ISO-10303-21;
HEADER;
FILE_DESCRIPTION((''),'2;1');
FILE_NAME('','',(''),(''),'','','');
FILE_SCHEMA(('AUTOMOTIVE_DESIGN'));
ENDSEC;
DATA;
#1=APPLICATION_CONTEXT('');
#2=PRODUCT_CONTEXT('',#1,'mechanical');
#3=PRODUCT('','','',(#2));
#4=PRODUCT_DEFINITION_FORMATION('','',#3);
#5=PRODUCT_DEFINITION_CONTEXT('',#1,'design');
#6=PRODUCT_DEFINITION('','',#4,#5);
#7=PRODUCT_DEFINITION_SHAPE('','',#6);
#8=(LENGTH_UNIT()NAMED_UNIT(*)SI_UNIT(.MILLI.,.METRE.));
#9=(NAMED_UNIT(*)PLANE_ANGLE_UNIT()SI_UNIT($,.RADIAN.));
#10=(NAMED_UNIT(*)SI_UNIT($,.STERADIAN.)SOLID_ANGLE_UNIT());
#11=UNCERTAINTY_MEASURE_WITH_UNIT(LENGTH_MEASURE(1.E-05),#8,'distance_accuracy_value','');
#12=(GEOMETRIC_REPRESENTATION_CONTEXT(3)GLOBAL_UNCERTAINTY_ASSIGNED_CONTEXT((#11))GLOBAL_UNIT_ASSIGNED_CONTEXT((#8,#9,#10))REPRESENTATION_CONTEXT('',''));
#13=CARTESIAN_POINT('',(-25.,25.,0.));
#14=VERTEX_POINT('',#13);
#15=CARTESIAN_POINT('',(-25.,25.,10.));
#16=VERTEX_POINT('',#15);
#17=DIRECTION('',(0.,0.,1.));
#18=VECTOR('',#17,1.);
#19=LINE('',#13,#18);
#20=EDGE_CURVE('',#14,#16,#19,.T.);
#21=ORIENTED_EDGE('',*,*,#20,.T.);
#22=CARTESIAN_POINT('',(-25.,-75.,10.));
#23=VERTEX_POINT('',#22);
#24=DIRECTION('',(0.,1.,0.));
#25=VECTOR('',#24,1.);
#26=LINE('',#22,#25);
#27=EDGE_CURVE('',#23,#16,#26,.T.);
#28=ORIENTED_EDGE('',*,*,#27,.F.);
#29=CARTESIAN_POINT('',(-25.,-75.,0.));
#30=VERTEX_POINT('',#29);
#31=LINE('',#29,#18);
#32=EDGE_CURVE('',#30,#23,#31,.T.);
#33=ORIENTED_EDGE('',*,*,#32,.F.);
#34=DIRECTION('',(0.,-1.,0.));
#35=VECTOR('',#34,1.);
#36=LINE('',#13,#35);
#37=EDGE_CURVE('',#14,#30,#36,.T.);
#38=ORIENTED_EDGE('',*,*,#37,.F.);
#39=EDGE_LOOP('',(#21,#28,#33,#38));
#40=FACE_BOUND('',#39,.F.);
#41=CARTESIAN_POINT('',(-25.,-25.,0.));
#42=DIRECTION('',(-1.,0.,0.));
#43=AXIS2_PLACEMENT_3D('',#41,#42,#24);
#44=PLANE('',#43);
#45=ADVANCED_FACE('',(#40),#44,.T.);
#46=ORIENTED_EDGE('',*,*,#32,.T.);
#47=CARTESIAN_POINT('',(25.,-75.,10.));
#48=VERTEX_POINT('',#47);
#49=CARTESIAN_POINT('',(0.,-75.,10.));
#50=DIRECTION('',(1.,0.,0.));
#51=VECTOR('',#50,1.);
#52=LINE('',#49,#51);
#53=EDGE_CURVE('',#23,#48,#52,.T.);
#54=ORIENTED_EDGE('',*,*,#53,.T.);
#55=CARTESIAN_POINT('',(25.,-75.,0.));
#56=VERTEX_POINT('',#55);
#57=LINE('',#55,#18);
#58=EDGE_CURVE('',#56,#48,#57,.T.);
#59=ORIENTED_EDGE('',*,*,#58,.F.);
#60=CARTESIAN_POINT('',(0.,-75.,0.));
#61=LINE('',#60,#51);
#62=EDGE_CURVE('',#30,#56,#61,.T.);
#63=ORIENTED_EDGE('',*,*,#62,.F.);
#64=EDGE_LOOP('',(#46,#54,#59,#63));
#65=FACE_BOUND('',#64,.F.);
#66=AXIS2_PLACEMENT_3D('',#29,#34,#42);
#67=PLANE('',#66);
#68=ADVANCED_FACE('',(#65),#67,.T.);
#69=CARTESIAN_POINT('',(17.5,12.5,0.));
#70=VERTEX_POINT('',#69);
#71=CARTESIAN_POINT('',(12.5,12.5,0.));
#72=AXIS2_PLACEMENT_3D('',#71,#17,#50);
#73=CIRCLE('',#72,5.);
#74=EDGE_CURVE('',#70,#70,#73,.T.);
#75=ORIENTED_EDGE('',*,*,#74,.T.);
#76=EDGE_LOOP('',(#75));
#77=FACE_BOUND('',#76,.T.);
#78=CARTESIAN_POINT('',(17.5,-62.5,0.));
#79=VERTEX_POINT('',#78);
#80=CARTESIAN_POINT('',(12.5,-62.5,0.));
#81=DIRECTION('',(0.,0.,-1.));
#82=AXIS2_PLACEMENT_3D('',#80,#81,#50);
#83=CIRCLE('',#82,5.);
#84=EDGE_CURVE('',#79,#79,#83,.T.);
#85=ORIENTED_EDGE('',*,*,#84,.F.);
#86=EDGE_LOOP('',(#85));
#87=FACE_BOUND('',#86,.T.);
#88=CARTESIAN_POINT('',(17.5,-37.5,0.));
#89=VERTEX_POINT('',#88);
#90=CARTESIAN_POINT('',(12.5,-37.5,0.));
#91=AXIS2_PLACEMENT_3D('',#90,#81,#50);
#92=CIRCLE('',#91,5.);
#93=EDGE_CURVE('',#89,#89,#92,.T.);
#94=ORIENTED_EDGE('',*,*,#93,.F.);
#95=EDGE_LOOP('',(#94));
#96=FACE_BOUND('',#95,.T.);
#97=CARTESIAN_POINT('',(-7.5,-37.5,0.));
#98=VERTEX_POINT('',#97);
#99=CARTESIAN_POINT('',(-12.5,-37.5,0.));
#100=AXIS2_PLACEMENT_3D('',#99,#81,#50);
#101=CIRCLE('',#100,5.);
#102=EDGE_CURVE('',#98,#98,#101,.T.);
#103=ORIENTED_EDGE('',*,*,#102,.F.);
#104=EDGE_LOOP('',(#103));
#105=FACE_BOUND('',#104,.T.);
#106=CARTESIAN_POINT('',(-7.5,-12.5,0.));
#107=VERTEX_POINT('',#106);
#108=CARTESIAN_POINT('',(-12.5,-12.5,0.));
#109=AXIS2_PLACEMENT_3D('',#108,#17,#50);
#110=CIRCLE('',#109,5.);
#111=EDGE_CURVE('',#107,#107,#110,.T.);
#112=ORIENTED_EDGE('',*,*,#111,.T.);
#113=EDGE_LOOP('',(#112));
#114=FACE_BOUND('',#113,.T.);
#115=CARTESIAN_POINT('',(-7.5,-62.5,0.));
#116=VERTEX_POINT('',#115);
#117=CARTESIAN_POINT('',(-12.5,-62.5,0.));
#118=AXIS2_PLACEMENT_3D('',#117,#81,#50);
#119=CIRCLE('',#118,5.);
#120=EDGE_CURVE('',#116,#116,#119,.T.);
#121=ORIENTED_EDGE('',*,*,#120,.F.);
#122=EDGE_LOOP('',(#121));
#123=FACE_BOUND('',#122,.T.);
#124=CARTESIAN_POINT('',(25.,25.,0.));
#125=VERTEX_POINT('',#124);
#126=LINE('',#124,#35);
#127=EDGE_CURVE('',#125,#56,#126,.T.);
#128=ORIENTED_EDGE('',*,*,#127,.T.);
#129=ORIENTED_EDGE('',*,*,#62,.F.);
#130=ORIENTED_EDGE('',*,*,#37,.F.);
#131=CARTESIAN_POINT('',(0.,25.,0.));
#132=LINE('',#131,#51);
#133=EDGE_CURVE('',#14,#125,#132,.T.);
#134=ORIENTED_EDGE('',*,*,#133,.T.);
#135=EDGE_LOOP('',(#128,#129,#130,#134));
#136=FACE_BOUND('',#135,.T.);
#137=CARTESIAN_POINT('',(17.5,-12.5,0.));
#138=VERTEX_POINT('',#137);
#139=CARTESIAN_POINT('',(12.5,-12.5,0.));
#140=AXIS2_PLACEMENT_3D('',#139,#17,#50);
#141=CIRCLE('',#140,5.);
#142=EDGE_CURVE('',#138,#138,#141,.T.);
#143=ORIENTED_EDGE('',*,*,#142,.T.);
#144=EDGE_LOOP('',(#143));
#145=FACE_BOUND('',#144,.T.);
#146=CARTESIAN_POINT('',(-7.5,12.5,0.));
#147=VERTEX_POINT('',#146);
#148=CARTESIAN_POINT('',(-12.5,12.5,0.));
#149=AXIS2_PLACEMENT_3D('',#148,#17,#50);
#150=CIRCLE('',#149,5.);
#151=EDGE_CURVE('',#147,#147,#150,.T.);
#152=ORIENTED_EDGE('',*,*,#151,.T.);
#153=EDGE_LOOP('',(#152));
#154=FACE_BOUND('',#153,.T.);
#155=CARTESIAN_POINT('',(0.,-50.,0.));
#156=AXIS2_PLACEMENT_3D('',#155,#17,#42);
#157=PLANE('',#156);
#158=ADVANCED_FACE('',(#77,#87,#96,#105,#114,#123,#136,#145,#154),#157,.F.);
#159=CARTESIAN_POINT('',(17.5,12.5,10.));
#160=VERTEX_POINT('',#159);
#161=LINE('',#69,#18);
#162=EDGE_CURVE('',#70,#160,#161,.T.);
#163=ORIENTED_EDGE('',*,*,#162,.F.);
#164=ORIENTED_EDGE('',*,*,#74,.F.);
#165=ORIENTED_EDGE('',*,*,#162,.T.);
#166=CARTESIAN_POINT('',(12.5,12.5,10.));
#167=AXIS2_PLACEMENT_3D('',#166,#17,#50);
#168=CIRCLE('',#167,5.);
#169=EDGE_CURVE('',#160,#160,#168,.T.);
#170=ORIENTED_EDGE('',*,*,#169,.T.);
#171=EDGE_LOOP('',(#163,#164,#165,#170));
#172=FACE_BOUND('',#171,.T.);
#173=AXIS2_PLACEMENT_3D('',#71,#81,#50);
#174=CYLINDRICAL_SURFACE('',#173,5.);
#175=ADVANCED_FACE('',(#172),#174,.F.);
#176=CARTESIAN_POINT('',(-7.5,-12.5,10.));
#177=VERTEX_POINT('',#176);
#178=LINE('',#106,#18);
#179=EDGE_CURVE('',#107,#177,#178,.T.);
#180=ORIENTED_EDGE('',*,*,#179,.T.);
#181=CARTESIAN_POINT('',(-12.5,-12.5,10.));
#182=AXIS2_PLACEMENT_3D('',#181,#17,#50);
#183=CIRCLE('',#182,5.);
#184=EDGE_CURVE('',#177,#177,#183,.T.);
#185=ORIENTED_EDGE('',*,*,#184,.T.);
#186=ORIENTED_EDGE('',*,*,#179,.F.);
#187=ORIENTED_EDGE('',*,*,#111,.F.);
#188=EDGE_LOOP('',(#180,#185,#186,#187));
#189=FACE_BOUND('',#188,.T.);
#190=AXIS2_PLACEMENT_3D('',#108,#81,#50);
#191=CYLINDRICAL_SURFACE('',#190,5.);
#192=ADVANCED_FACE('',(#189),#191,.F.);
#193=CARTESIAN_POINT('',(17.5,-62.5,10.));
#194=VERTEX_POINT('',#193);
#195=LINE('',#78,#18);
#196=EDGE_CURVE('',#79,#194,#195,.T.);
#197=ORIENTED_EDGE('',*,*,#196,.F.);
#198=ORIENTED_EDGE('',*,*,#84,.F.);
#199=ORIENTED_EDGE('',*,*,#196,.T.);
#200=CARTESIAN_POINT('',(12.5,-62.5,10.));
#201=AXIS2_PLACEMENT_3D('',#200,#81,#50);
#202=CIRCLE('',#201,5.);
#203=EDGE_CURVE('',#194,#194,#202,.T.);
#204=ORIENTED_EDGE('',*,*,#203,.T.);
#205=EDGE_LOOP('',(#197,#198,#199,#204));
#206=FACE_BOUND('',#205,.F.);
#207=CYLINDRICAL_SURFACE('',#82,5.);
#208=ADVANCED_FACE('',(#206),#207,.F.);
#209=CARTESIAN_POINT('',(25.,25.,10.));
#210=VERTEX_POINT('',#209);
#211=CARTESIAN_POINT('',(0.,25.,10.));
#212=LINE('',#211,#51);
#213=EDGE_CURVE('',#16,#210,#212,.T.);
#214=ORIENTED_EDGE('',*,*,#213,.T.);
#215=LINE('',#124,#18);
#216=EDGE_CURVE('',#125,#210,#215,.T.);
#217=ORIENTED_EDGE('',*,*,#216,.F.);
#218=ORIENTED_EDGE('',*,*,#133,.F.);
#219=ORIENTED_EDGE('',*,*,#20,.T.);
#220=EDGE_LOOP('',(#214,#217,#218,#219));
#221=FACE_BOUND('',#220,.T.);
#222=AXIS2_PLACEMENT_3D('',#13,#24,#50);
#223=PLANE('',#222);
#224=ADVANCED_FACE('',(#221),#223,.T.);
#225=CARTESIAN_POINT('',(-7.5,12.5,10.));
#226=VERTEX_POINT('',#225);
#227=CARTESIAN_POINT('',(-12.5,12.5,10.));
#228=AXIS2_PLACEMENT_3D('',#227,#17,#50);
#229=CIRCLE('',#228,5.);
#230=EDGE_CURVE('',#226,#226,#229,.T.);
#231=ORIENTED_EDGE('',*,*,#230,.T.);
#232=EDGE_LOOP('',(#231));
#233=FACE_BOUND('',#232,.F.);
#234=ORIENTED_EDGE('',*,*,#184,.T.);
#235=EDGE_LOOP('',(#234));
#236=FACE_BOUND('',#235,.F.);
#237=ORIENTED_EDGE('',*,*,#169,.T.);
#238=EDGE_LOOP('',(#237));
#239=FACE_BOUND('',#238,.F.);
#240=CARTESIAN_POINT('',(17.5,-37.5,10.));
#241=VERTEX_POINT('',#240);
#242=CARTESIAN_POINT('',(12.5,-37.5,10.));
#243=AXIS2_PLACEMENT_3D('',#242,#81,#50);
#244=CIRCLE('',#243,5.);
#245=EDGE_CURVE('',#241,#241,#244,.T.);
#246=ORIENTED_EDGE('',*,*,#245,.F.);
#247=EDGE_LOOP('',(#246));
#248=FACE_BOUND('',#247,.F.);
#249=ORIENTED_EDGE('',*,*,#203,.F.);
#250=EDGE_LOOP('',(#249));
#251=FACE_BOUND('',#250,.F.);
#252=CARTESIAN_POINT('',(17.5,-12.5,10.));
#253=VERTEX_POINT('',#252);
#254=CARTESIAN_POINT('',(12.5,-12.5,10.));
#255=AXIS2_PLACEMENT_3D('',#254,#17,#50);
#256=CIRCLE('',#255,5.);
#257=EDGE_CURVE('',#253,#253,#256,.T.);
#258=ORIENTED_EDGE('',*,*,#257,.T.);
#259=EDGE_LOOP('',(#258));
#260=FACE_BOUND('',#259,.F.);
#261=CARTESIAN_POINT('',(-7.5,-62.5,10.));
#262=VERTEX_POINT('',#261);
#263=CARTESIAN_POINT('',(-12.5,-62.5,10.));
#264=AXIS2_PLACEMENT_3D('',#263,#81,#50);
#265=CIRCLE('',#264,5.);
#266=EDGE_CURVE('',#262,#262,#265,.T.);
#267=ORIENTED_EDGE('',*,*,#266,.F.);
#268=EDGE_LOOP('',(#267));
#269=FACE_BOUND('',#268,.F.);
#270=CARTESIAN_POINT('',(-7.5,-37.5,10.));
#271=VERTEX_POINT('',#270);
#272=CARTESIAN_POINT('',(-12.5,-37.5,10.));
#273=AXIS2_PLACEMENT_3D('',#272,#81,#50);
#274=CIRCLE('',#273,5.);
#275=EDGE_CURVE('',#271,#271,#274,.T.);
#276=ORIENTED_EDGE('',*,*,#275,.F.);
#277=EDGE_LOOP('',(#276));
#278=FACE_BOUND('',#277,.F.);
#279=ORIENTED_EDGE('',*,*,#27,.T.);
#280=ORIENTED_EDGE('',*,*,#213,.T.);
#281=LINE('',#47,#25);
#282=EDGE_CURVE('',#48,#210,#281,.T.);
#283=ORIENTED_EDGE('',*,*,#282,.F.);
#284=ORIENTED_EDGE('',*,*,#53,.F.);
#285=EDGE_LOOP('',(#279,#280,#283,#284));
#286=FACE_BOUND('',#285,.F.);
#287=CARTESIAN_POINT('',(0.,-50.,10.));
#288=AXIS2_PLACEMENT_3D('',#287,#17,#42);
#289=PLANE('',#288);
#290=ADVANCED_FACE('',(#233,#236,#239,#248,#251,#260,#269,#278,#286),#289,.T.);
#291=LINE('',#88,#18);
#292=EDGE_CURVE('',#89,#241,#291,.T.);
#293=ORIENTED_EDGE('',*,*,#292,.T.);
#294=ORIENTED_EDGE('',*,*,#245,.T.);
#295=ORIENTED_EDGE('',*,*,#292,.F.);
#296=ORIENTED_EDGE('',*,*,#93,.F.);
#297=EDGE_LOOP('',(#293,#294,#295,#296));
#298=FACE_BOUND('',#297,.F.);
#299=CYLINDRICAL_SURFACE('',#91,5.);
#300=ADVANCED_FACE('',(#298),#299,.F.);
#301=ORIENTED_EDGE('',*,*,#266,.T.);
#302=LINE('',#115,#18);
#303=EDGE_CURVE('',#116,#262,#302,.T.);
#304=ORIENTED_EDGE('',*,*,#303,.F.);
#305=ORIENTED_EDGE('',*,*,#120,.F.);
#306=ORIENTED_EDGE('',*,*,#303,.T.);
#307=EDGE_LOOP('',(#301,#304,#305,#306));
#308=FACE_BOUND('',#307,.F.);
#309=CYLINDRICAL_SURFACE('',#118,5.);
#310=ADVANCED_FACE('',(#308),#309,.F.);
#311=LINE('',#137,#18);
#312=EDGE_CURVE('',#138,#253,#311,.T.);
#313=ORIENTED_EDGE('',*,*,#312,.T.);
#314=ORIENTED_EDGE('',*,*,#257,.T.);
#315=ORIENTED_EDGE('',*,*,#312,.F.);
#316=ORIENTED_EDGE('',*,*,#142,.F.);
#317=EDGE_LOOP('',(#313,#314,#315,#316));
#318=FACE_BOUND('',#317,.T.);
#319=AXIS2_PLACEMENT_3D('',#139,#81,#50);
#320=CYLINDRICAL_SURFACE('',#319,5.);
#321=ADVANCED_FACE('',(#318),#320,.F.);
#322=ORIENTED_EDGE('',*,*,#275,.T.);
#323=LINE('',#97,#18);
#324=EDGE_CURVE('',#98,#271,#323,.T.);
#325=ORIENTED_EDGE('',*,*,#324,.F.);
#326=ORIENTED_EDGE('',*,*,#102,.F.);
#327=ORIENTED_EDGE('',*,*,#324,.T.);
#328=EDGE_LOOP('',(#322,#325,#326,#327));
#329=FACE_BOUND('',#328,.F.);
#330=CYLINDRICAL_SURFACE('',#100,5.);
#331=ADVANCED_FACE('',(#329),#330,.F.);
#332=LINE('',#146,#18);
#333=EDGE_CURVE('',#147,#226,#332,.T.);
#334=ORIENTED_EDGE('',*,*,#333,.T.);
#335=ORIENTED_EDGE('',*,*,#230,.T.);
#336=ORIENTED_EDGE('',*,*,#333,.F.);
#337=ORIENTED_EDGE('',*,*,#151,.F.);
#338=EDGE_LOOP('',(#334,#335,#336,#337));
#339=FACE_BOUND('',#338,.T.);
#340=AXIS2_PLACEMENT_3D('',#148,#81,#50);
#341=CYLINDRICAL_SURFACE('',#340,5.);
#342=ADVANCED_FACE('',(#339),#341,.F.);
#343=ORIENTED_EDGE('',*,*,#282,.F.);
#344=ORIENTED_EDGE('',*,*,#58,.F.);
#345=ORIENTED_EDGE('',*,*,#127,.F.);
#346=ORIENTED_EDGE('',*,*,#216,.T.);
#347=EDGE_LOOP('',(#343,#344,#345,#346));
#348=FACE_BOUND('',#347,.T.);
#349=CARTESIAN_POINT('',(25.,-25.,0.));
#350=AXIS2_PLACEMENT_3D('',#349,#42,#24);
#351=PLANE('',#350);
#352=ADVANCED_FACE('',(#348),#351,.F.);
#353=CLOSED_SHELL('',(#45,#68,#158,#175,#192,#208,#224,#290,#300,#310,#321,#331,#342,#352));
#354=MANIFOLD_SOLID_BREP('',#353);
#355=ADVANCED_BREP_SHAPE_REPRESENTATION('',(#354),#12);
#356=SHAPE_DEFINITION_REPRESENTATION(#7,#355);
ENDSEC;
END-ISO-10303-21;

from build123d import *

# Parameters (mm, degrees)
SKETCH_W  = 50
SKETCH_H  = 50
SKETCH_R  = 5
PAD_DEPTH = 10


with BuildPart() as part:
    # Sketch → Pad (new body)
    with BuildSketch(Plane.XY):
        Rectangle(SKETCH_W, SKETCH_H)
        with Locations((12.5, 12.5)):
            Circle(SKETCH_R, mode=Mode.SUBTRACT)
        with Locations((-12.5, 12.5)):
            Circle(SKETCH_R, mode=Mode.SUBTRACT)
        with Locations((-12.5, -12.5)):
            Circle(SKETCH_R, mode=Mode.SUBTRACT)
        with Locations((12.5, -12.5)):
            Circle(SKETCH_R, mode=Mode.SUBTRACT)
    pad = extrude(amount=PAD_DEPTH)

    # Mirrored: Pad across face of Pad
    add(pad.mirror(Plane(origin=(0, -25, 5), x_dir=(1, 0, 0), z_dir=(0, -1, 0))))


solid = part.part
